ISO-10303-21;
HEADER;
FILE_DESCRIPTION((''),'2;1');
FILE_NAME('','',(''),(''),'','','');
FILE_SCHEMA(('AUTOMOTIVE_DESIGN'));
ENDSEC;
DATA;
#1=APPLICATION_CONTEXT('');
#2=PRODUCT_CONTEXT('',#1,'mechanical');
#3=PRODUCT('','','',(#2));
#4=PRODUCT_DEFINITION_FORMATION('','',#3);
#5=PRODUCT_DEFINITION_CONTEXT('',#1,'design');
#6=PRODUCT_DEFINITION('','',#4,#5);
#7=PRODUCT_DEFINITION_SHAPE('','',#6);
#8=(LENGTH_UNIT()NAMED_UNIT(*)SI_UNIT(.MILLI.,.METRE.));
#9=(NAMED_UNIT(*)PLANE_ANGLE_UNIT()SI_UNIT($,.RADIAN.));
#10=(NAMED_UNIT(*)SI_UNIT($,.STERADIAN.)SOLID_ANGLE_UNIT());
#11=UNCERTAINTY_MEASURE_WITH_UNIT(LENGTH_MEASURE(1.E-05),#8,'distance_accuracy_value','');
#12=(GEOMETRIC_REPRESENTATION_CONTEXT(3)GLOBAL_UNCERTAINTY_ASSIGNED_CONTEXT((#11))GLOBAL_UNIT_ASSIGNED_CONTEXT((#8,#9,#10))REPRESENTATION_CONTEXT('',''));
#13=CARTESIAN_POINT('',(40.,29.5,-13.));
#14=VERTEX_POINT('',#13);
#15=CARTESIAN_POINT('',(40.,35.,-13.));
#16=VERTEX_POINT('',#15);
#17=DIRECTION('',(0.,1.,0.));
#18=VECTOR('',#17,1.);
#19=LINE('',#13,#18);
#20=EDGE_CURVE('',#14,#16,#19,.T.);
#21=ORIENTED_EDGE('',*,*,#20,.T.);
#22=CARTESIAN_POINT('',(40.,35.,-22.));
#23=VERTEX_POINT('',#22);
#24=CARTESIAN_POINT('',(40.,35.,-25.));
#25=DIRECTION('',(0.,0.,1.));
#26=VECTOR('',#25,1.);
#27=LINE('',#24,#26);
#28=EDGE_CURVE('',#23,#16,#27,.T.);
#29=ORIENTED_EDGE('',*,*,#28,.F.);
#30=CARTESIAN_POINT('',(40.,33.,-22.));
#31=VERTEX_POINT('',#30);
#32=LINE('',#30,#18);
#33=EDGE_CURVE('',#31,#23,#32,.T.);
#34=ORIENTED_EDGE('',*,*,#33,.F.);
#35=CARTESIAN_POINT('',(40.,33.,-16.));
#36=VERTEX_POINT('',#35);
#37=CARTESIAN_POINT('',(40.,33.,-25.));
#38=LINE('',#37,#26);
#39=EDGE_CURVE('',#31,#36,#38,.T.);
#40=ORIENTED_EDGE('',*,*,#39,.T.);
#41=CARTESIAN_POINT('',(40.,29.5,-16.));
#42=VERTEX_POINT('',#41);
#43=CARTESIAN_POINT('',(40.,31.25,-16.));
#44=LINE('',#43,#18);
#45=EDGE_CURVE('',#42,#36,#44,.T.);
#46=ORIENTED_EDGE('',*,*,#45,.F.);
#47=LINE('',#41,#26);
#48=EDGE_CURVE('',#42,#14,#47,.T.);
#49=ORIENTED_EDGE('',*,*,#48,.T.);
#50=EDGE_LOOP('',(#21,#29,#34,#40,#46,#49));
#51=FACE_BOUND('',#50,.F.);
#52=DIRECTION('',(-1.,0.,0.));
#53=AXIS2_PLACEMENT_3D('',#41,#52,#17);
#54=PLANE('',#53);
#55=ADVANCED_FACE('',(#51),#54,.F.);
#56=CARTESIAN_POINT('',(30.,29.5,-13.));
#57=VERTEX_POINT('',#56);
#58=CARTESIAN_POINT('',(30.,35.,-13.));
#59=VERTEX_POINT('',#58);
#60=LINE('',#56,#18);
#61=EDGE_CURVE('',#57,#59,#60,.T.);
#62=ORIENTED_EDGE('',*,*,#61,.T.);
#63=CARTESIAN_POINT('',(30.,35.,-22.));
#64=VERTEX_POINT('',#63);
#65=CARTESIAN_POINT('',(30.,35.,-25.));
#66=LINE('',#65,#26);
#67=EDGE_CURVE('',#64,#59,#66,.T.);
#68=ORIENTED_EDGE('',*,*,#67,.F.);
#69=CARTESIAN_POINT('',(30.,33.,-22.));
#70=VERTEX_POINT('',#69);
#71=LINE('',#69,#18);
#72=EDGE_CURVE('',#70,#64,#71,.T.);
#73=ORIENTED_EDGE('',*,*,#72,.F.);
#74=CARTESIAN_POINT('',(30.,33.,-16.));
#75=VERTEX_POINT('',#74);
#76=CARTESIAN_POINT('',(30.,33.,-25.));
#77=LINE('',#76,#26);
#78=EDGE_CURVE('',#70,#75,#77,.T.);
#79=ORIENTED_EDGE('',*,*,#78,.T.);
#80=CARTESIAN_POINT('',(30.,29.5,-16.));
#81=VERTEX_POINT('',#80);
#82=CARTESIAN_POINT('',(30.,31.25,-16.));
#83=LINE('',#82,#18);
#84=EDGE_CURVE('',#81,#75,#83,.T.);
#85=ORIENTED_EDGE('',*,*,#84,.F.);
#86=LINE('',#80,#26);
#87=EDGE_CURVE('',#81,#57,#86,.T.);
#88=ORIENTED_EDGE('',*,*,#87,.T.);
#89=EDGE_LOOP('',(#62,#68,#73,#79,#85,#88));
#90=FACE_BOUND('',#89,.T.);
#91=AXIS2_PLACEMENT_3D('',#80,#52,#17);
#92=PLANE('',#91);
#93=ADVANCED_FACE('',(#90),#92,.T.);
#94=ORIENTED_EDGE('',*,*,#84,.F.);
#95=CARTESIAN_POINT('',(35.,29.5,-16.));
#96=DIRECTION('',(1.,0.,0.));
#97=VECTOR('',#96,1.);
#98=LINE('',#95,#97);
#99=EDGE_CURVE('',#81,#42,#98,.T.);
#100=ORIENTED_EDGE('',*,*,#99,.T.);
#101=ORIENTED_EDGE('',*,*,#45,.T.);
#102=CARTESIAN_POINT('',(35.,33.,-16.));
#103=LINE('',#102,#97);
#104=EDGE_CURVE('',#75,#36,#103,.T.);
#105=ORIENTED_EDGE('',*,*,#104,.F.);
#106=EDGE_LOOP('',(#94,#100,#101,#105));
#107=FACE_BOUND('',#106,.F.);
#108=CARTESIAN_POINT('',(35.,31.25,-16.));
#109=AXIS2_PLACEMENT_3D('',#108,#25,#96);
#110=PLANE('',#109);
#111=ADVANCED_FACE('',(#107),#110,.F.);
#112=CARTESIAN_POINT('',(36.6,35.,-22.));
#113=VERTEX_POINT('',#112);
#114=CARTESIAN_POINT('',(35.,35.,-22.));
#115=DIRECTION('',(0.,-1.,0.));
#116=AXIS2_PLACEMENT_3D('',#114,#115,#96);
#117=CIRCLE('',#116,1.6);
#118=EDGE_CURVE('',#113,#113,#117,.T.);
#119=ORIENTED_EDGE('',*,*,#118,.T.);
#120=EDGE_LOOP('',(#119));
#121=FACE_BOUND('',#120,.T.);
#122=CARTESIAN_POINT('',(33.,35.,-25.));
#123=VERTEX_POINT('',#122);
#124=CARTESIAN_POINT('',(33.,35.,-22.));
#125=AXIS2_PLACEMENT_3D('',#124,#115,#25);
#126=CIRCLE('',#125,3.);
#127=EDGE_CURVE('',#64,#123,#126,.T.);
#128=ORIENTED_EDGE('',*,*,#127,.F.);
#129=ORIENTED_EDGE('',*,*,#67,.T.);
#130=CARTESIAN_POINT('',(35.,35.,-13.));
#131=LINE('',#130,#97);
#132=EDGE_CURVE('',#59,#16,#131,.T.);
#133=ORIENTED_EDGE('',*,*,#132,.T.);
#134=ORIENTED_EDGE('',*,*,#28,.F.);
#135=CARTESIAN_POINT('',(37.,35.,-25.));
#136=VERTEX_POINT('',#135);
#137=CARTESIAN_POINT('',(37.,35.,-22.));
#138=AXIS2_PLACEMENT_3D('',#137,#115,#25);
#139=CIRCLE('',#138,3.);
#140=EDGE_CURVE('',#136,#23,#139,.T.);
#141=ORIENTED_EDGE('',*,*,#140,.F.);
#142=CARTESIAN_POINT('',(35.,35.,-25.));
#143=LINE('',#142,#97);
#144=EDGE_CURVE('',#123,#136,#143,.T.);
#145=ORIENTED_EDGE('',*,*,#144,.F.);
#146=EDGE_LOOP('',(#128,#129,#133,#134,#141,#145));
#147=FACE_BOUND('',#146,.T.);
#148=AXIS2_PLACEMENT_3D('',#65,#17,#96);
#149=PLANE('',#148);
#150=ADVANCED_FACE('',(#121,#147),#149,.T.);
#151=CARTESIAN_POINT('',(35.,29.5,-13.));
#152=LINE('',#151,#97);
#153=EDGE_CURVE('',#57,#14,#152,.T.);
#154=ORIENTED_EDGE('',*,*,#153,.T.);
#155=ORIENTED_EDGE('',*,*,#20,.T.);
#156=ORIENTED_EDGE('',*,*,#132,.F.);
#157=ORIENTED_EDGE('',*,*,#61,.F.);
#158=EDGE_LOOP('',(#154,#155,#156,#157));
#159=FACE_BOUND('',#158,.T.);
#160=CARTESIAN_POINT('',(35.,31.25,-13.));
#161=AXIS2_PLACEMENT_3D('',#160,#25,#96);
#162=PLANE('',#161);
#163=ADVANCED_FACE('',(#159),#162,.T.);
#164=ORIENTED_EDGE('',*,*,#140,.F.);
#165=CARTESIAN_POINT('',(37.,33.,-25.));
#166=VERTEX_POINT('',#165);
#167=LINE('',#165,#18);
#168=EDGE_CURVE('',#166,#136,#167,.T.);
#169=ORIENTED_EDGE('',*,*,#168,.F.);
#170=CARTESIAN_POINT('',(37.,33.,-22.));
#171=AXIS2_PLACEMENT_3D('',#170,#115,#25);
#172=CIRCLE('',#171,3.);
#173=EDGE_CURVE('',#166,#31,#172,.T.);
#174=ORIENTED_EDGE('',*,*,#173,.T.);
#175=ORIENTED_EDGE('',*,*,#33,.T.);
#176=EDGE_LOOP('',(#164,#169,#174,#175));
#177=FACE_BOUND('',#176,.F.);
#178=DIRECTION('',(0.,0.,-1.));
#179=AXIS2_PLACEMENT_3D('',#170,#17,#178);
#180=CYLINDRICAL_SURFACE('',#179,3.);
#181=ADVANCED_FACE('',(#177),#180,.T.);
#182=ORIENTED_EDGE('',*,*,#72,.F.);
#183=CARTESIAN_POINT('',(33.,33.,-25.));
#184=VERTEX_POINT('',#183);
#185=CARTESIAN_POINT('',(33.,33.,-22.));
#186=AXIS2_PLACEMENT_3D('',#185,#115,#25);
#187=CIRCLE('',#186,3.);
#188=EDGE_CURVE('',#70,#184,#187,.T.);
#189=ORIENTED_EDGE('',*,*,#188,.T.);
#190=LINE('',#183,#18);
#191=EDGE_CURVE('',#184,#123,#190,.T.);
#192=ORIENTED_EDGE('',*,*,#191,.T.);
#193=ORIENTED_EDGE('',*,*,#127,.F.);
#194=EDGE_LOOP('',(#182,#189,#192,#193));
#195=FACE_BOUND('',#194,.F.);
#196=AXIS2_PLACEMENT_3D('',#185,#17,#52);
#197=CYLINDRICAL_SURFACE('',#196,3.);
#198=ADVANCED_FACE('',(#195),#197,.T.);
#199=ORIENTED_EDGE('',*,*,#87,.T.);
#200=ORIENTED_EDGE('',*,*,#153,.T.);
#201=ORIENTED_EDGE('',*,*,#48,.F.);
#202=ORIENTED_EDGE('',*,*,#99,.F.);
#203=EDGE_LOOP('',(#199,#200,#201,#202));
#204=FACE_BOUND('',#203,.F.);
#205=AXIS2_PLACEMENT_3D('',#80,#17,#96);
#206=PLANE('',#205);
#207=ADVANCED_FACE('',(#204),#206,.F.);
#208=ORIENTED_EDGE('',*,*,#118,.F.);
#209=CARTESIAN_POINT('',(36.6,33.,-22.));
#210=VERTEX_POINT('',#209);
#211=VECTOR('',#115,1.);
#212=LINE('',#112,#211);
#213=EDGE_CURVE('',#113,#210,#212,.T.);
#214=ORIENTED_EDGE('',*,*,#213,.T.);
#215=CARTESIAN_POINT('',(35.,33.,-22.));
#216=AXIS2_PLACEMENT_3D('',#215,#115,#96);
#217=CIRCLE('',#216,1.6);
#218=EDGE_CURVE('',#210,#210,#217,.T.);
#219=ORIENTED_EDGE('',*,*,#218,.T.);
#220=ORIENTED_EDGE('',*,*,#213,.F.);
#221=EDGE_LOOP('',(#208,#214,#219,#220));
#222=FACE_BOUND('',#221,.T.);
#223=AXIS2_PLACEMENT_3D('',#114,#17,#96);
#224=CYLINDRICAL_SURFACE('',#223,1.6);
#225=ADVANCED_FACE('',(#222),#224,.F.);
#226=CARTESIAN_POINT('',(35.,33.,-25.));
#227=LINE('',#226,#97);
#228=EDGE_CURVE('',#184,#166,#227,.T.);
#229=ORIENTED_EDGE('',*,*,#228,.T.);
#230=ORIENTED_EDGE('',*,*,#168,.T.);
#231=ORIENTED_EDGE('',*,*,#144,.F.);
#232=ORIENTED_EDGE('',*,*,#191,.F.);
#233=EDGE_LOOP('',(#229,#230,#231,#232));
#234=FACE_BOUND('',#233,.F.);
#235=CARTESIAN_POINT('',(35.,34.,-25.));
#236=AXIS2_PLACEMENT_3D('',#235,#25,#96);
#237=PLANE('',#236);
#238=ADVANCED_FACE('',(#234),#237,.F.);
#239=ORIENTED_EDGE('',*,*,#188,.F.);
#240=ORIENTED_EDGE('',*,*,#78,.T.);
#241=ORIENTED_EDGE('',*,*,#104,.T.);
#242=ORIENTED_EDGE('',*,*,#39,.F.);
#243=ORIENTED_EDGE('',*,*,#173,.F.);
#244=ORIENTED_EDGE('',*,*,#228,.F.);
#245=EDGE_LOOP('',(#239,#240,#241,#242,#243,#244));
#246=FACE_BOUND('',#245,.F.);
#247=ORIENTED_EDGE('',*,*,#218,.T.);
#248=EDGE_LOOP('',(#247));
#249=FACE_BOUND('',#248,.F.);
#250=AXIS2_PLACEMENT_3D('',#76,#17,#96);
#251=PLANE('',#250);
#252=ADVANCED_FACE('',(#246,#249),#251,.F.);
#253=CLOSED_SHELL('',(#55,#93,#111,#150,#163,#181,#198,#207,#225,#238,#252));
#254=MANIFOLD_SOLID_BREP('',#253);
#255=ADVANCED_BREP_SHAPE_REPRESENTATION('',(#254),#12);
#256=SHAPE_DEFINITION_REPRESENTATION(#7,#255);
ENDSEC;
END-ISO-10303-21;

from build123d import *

# Parameters (mm, degrees)
BOX184_W          = 10
BOX184_H          = 3.5
BOX184_DEPTH      = 3
CYLINDER071_R     = 1.6
CYLINDER071_DEPTH = 2
BOX182_W          = 10
BOX182_H          = 2
BOX182_DEPTH      = 12
FILLET041_R       = 3


with BuildPart() as cube173:
    # Box184 → Box184 (new body)
    with BuildSketch(Plane(origin=(30, 29.5, -16), x_dir=(1, 0, 0), z_dir=(0, 0, 1))):
        with Locations((5, 1.75)):
            Rectangle(BOX184_W, BOX184_H)
    extrude(amount=BOX184_DEPTH)


with BuildPart() as cylinder152:
    # Cylinder071 → Cylinder071 (new body)
    with BuildSketch(Plane(origin=(35, 35, -22), x_dir=(1, 0, 0), z_dir=(0, -1, 0))):
        Circle(CYLINDER071_R)
    extrude(amount=CYLINDER071_DEPTH)


with BuildPart() as fusion057:
    # Box182 → Box182 (new body)
    with BuildSketch(Plane(origin=(30, 33, -25), x_dir=(1, 0, 0), z_dir=(0, 0, 1))):
        with Locations((5, 1)):
            Rectangle(BOX182_W, BOX182_H)
    extrude(amount=BOX182_DEPTH)

    # Cut096: cut Cylinder152
    add(cylinder152.part, mode=Mode.SUBTRACT)

    # Fillet041
    fillet041_edges = [fusion057.edges().sort_by_distance(p)[0] for p in [
        (30, 34, -25),
        (40, 34, -25),
    ]]
    fillet(fillet041_edges, radius=FILLET041_R)

    # Fusion057: union Cube173
    add(cube173.part)


solid = fusion057.part
